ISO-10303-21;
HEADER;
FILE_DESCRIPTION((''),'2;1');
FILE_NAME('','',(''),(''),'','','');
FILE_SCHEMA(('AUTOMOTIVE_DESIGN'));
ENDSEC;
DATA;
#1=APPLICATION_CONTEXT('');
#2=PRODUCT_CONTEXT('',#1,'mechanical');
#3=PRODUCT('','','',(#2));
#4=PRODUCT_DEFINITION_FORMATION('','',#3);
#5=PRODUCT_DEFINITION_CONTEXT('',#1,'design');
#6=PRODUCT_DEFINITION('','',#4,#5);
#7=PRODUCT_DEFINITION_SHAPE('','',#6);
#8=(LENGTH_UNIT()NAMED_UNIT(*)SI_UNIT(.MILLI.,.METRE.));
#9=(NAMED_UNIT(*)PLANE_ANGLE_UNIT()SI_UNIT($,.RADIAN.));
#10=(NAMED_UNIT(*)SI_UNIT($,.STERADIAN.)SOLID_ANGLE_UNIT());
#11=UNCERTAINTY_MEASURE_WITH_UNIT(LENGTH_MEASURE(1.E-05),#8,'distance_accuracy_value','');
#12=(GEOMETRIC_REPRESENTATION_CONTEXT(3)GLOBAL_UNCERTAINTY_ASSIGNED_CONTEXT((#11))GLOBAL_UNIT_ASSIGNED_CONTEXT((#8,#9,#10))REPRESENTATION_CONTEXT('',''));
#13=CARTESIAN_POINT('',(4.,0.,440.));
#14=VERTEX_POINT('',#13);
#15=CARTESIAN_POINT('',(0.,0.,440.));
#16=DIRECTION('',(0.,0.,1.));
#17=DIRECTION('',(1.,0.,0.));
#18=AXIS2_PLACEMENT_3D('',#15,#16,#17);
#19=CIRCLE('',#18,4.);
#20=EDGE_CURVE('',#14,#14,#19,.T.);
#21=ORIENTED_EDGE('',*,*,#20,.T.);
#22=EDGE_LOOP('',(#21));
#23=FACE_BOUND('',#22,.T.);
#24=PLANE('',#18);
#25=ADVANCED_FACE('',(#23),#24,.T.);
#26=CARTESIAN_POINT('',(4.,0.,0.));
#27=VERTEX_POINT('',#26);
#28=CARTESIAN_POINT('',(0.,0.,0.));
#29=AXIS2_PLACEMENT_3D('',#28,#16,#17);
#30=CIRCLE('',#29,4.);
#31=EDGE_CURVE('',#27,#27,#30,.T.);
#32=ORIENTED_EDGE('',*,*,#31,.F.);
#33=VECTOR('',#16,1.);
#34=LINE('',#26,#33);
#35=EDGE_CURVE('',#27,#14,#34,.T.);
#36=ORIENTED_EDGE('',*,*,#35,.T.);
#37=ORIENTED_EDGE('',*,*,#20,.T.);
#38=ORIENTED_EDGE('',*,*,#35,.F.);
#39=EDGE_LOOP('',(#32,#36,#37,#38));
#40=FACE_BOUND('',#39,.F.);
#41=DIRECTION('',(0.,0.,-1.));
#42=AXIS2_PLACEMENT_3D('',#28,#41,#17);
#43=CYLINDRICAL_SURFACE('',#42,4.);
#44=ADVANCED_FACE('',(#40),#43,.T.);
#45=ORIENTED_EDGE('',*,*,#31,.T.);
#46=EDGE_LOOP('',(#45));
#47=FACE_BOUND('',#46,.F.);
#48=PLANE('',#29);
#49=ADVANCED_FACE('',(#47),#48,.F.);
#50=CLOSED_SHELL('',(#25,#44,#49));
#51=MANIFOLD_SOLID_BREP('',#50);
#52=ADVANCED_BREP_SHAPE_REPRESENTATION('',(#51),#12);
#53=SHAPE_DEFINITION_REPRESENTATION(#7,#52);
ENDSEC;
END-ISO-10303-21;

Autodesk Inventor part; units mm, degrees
ref_plane "YZ Plane" through (0, 0, 0) normal (1, 0, 0) x (0, 1, 0)
ref_plane "XZ Plane" through (0, 0, 0) normal (0, 1, 0) x (-1, 0, 0)
ref_plane "XY Plane" through (0, 0, 0) normal (0, 0, 1) x (1, 0, 0)
sketch "Skizze1" plane through (0, 0, 0) normal (0, 0, 1) x (1, 0, 0)
  circle A0 centre (0, 0) radius 4
  dimension "d0" = 8
extrude "Extrusion1" add sketch "Skizze1" along normal blind 440
properties part number "8mm hardened rod" material "Edelstahl, 440C"
